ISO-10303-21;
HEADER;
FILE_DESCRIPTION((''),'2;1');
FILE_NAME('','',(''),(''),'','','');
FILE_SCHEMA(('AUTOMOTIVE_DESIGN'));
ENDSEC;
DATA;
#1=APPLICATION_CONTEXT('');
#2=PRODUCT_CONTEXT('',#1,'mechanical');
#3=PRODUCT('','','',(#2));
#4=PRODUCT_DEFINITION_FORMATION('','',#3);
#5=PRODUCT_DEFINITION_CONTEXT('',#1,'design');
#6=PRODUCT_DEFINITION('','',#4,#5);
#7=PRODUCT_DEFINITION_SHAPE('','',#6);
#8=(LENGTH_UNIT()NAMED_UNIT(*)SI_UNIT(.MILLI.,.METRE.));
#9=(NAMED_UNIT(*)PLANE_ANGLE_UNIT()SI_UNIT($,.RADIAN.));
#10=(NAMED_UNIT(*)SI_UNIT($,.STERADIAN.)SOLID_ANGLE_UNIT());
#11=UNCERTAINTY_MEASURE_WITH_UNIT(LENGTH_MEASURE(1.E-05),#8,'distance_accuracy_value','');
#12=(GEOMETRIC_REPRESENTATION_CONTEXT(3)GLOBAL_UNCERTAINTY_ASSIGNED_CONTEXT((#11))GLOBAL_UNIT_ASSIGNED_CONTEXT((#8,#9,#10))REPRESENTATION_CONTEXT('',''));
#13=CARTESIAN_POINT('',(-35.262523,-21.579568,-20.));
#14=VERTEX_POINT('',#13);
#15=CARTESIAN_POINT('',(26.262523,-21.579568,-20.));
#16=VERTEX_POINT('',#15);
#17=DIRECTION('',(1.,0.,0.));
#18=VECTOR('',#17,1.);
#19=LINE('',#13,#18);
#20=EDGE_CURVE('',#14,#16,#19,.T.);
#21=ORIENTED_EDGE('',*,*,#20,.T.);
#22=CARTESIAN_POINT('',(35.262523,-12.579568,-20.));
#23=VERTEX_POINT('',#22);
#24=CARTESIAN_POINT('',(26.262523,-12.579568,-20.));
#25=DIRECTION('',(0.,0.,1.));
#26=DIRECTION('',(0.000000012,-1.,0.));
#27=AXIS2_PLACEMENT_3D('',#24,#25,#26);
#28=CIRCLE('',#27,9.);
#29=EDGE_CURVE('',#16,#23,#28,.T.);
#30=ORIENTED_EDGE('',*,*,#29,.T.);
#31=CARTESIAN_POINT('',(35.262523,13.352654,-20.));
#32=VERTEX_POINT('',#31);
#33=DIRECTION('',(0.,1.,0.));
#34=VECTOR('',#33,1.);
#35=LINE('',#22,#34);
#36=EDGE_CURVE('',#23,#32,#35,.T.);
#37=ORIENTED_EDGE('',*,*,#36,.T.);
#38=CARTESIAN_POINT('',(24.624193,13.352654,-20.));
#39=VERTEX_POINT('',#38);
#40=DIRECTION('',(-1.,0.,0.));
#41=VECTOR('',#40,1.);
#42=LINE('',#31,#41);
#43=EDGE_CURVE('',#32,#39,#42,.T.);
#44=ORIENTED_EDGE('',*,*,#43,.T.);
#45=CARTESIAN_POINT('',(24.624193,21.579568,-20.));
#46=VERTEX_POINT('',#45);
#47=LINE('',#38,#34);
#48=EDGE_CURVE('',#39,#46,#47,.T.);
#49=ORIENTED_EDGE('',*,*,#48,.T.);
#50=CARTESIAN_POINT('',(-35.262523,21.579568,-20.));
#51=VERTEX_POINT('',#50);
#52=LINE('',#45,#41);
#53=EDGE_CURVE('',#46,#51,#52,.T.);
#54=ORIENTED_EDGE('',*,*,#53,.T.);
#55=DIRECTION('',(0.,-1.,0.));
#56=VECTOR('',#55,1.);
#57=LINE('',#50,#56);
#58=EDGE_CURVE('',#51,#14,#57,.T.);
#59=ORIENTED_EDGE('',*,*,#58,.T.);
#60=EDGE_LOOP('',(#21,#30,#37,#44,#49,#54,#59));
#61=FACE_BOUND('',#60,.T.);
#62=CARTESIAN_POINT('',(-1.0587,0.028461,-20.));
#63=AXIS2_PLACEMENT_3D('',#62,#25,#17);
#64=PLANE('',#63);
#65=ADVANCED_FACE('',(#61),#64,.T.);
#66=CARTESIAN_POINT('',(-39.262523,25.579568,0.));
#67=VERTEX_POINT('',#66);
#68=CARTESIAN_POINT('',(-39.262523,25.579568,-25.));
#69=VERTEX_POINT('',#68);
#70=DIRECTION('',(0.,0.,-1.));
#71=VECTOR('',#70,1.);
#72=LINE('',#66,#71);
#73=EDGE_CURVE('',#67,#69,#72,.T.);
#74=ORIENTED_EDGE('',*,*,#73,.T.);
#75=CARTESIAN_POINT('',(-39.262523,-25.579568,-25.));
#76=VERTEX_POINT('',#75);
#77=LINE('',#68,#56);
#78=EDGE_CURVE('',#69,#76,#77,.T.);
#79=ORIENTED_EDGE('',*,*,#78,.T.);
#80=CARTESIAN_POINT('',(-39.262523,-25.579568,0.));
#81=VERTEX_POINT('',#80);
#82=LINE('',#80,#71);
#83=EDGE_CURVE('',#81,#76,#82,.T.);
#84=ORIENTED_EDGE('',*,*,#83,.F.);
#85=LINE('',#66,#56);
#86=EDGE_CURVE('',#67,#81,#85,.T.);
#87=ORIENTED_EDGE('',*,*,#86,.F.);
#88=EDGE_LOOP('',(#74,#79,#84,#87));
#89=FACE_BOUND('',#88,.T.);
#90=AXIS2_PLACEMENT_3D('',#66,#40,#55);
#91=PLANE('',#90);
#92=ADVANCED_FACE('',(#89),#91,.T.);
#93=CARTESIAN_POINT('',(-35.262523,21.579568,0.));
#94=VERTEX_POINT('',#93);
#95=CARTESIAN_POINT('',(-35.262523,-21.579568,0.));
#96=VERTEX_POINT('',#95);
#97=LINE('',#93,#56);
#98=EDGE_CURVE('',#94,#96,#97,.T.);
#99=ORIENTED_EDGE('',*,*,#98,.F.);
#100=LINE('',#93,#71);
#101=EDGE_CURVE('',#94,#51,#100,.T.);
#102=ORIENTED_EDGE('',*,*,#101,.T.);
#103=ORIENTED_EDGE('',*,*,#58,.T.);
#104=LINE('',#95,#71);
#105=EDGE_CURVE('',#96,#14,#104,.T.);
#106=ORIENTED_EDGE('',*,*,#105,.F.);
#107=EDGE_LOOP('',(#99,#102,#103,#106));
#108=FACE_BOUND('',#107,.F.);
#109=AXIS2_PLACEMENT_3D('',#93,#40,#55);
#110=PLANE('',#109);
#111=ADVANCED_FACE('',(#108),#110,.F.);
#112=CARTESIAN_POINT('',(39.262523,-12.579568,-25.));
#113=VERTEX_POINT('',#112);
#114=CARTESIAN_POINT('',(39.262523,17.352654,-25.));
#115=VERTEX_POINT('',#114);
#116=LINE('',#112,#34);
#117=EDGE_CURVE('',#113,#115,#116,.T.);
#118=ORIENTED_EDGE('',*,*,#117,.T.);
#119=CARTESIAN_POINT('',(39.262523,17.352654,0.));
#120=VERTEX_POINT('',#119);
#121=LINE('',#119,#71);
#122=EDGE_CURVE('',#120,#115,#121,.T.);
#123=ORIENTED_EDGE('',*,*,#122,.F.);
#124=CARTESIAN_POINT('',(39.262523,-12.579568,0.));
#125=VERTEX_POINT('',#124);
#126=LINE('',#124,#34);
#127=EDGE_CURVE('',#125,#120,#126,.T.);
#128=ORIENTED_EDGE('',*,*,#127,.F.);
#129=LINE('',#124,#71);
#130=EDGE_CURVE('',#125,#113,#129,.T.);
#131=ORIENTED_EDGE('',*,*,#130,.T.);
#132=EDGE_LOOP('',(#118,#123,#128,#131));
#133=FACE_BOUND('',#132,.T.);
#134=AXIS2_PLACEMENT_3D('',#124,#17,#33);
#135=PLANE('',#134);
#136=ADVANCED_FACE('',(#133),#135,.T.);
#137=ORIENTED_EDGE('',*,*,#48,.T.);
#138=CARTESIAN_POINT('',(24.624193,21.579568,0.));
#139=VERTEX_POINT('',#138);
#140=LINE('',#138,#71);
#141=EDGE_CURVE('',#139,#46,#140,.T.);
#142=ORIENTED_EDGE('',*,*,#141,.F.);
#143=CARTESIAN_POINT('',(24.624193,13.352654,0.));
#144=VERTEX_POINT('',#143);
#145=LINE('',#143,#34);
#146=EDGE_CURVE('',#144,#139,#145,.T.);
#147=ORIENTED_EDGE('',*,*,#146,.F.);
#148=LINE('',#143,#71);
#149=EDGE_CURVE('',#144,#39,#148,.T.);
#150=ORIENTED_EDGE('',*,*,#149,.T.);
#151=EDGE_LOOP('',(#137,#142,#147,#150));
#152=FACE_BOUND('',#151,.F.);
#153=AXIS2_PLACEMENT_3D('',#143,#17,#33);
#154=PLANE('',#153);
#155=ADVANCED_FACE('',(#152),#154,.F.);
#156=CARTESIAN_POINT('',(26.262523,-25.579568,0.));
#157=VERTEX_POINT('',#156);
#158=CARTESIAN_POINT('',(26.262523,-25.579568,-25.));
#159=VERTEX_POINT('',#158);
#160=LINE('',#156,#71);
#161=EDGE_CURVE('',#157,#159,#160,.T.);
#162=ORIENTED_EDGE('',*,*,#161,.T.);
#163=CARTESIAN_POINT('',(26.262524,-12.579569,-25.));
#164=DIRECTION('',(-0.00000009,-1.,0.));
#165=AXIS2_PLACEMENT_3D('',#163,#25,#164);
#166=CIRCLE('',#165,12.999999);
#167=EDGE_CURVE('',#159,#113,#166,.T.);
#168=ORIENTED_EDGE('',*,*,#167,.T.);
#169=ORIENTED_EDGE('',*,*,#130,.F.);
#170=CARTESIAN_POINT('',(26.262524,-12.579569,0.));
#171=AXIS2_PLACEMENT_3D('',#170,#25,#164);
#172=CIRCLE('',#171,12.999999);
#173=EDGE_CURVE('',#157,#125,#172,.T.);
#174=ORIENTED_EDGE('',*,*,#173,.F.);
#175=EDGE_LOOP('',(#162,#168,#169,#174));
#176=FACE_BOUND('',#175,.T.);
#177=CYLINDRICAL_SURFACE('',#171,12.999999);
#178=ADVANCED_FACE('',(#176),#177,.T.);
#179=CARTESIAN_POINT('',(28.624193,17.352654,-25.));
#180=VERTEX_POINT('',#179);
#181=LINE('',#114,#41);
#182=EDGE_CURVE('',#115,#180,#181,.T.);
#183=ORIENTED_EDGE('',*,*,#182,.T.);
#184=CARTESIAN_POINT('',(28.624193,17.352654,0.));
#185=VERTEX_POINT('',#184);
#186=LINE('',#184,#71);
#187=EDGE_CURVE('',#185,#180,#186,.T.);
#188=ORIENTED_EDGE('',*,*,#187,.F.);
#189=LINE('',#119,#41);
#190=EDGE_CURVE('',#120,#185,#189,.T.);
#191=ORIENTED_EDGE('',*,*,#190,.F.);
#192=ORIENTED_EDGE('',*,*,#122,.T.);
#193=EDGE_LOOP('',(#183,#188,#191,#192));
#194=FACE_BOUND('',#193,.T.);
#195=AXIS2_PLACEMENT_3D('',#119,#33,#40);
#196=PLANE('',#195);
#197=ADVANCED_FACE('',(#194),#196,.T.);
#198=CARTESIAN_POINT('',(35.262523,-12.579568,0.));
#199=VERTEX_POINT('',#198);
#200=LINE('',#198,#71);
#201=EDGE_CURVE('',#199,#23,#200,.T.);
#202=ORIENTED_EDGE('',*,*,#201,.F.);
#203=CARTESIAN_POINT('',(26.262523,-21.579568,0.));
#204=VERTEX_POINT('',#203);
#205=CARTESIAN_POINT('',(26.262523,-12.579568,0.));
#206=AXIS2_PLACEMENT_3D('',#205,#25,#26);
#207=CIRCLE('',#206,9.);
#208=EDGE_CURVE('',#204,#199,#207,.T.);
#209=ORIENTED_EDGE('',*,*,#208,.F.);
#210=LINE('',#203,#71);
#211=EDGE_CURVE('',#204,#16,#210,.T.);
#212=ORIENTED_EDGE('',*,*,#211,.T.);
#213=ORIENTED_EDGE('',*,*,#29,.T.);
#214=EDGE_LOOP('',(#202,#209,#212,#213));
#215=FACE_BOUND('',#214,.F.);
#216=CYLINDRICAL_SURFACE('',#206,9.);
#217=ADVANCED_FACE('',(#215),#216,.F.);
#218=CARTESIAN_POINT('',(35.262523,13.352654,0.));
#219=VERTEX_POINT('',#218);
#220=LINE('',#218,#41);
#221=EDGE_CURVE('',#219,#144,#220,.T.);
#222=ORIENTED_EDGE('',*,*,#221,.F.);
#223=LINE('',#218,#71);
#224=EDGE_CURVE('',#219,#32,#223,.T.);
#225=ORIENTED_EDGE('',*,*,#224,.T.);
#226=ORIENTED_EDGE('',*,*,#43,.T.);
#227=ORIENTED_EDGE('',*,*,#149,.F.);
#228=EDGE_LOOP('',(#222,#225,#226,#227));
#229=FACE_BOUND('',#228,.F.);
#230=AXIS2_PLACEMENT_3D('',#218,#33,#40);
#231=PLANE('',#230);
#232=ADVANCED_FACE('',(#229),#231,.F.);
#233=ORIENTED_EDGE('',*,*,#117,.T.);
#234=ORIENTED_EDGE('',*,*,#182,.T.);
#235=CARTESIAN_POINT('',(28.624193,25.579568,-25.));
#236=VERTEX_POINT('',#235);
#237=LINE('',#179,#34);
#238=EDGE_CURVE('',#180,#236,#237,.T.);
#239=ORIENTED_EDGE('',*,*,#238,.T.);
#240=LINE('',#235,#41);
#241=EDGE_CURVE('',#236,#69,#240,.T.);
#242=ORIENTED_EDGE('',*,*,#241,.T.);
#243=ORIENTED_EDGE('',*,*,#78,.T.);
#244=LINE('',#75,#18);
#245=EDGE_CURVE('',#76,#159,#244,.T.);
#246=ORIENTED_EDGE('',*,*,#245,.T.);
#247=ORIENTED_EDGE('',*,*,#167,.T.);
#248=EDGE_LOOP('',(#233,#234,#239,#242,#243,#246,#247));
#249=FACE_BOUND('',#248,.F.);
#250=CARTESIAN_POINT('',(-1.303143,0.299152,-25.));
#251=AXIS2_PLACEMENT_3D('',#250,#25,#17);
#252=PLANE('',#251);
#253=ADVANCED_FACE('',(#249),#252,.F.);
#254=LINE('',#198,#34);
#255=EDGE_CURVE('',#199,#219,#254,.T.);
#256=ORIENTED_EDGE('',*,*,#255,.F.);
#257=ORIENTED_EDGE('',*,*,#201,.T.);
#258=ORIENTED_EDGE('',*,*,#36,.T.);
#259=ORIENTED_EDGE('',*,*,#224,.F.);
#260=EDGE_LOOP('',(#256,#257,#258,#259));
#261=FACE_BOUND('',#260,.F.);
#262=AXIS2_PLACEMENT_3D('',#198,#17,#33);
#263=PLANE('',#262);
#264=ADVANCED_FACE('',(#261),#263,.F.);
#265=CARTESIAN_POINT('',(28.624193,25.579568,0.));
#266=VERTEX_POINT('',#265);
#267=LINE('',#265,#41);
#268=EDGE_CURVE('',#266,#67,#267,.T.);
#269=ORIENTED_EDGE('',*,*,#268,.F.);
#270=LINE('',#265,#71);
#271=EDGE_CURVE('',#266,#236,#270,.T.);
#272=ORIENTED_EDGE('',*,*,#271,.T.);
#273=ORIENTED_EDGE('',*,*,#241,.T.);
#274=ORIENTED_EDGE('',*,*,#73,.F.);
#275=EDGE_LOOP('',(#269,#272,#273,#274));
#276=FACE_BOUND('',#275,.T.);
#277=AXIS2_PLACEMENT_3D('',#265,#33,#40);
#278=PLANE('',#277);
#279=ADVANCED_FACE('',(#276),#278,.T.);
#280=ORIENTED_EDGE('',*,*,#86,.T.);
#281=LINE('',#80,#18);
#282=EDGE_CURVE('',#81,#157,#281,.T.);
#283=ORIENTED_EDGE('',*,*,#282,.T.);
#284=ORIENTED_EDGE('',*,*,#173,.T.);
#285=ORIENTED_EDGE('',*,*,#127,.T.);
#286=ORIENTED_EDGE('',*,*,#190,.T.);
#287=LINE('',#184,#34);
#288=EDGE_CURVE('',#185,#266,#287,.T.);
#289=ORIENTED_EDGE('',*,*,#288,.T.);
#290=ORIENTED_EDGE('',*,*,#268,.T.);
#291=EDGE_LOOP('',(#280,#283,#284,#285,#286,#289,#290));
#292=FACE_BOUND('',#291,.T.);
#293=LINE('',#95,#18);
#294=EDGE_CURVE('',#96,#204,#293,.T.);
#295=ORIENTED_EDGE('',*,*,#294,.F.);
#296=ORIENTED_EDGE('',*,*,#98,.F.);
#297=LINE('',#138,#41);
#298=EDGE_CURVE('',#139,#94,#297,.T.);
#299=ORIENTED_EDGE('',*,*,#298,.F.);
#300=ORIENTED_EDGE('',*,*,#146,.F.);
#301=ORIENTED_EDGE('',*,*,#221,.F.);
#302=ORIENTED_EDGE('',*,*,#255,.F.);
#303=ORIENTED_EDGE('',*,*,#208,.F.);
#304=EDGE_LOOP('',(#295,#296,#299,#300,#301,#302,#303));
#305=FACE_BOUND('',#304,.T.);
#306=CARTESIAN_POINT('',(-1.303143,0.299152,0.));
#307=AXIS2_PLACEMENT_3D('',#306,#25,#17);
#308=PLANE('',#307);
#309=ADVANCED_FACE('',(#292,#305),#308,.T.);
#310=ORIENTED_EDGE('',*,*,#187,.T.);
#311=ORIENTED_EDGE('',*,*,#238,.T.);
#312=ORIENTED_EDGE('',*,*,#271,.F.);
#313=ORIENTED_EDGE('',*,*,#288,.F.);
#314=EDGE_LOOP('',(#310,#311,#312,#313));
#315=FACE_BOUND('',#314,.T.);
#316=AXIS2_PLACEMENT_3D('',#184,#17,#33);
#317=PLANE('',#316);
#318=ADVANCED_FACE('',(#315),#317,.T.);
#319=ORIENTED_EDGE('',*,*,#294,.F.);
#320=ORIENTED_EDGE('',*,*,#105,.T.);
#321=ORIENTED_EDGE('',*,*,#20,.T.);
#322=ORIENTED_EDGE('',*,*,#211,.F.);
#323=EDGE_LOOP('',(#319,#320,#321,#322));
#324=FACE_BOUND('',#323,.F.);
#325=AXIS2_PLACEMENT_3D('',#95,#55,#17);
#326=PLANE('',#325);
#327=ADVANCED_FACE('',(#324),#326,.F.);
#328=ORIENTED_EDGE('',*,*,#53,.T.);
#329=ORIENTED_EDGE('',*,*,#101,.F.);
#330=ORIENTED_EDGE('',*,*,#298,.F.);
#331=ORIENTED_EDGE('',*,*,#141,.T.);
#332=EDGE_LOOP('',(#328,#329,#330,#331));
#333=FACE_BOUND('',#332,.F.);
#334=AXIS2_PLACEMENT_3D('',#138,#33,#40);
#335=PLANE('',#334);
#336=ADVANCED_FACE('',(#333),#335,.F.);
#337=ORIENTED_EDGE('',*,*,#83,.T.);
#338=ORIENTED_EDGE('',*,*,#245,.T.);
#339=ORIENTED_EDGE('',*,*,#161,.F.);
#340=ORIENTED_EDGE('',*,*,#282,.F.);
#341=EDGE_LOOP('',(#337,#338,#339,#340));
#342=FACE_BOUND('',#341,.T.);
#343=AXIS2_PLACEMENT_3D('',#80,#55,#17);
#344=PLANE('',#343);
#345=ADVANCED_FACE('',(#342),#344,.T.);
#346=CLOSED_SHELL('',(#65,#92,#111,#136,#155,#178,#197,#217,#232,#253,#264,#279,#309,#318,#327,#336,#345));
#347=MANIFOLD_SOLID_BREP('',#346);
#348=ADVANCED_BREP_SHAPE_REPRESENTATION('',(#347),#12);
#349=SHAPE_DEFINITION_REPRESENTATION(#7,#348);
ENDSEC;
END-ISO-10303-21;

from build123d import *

# Parameters (mm, degrees)
F1_DEPTH = 25
F2_DEPTH = 20


with BuildPart() as f1:
    # F0 (on Top) → F1 (new body)
    with BuildSketch(Plane.XY):
        with BuildLine():
            Line((-39.262523, -25.579568), (26.262523, -25.579568))
            ThreePointArc((26.262523, -25.579568), (35.454912, -21.771956), (39.262523, -12.579568))
            Line((39.262523, -12.579568), (39.262523, 17.352654))
            Line((39.262523, 17.352654), (28.624193, 17.352654))
            Line((28.624193, 17.352654), (28.624193, 25.579568))
            Line((28.624193, 25.579568), (-39.262523, 25.579568))
            Line((-39.262523, 25.579568), (-39.262523, -25.579568))
        make_face()
        with BuildLine():
            Line((24.624193, 21.579568), (24.624193, 13.352654))
            Line((24.624193, 13.352654), (35.262523, 13.352654))
            Line((35.262523, 13.352654), (35.262523, -12.579568))
            ThreePointArc((35.262523, -12.579568), (32.626484, -18.943529), (26.262523, -21.579568))
            Line((26.262523, -21.579568), (-35.262523, -21.579568))
            Line((-35.262523, -21.579568), (-35.262523, 21.579568))
            Line((-35.262523, 21.579568), (24.624193, 21.579568))
        make_face(mode=Mode.SUBTRACT)
        with BuildLine():
            Line((35.262523, 13.352654), (24.624193, 13.352654))
            Line((24.624193, 13.352654), (24.624193, 21.579568))
            Line((24.624193, 21.579568), (-35.262523, 21.579568))
            Line((-35.262523, 21.579568), (-35.262523, -21.579568))
            Line((-35.262523, -21.579568), (26.262523, -21.579568))
            ThreePointArc((26.262523, -21.579568), (32.626484, -18.943529), (35.262523, -12.579568))
            Line((35.262523, -12.579568), (35.262523, 13.352654))
        make_face()
    extrude(amount=-F1_DEPTH)

    # F0 (on Top) → F2 (cut)
    with BuildSketch(Plane.XY):
        with BuildLine():
            Line((35.262523, 13.352654), (24.624193, 13.352654))
            Line((24.624193, 13.352654), (24.624193, 21.579568))
            Line((24.624193, 21.579568), (-35.262523, 21.579568))
            Line((-35.262523, 21.579568), (-35.262523, -21.579568))
            Line((-35.262523, -21.579568), (26.262523, -21.579568))
            ThreePointArc((26.262523, -21.579568), (32.626484, -18.943529), (35.262523, -12.579568))
            Line((35.262523, -12.579568), (35.262523, 13.352654))
        make_face()
    extrude(amount=-F2_DEPTH, mode=Mode.SUBTRACT)


solid = f1.part
